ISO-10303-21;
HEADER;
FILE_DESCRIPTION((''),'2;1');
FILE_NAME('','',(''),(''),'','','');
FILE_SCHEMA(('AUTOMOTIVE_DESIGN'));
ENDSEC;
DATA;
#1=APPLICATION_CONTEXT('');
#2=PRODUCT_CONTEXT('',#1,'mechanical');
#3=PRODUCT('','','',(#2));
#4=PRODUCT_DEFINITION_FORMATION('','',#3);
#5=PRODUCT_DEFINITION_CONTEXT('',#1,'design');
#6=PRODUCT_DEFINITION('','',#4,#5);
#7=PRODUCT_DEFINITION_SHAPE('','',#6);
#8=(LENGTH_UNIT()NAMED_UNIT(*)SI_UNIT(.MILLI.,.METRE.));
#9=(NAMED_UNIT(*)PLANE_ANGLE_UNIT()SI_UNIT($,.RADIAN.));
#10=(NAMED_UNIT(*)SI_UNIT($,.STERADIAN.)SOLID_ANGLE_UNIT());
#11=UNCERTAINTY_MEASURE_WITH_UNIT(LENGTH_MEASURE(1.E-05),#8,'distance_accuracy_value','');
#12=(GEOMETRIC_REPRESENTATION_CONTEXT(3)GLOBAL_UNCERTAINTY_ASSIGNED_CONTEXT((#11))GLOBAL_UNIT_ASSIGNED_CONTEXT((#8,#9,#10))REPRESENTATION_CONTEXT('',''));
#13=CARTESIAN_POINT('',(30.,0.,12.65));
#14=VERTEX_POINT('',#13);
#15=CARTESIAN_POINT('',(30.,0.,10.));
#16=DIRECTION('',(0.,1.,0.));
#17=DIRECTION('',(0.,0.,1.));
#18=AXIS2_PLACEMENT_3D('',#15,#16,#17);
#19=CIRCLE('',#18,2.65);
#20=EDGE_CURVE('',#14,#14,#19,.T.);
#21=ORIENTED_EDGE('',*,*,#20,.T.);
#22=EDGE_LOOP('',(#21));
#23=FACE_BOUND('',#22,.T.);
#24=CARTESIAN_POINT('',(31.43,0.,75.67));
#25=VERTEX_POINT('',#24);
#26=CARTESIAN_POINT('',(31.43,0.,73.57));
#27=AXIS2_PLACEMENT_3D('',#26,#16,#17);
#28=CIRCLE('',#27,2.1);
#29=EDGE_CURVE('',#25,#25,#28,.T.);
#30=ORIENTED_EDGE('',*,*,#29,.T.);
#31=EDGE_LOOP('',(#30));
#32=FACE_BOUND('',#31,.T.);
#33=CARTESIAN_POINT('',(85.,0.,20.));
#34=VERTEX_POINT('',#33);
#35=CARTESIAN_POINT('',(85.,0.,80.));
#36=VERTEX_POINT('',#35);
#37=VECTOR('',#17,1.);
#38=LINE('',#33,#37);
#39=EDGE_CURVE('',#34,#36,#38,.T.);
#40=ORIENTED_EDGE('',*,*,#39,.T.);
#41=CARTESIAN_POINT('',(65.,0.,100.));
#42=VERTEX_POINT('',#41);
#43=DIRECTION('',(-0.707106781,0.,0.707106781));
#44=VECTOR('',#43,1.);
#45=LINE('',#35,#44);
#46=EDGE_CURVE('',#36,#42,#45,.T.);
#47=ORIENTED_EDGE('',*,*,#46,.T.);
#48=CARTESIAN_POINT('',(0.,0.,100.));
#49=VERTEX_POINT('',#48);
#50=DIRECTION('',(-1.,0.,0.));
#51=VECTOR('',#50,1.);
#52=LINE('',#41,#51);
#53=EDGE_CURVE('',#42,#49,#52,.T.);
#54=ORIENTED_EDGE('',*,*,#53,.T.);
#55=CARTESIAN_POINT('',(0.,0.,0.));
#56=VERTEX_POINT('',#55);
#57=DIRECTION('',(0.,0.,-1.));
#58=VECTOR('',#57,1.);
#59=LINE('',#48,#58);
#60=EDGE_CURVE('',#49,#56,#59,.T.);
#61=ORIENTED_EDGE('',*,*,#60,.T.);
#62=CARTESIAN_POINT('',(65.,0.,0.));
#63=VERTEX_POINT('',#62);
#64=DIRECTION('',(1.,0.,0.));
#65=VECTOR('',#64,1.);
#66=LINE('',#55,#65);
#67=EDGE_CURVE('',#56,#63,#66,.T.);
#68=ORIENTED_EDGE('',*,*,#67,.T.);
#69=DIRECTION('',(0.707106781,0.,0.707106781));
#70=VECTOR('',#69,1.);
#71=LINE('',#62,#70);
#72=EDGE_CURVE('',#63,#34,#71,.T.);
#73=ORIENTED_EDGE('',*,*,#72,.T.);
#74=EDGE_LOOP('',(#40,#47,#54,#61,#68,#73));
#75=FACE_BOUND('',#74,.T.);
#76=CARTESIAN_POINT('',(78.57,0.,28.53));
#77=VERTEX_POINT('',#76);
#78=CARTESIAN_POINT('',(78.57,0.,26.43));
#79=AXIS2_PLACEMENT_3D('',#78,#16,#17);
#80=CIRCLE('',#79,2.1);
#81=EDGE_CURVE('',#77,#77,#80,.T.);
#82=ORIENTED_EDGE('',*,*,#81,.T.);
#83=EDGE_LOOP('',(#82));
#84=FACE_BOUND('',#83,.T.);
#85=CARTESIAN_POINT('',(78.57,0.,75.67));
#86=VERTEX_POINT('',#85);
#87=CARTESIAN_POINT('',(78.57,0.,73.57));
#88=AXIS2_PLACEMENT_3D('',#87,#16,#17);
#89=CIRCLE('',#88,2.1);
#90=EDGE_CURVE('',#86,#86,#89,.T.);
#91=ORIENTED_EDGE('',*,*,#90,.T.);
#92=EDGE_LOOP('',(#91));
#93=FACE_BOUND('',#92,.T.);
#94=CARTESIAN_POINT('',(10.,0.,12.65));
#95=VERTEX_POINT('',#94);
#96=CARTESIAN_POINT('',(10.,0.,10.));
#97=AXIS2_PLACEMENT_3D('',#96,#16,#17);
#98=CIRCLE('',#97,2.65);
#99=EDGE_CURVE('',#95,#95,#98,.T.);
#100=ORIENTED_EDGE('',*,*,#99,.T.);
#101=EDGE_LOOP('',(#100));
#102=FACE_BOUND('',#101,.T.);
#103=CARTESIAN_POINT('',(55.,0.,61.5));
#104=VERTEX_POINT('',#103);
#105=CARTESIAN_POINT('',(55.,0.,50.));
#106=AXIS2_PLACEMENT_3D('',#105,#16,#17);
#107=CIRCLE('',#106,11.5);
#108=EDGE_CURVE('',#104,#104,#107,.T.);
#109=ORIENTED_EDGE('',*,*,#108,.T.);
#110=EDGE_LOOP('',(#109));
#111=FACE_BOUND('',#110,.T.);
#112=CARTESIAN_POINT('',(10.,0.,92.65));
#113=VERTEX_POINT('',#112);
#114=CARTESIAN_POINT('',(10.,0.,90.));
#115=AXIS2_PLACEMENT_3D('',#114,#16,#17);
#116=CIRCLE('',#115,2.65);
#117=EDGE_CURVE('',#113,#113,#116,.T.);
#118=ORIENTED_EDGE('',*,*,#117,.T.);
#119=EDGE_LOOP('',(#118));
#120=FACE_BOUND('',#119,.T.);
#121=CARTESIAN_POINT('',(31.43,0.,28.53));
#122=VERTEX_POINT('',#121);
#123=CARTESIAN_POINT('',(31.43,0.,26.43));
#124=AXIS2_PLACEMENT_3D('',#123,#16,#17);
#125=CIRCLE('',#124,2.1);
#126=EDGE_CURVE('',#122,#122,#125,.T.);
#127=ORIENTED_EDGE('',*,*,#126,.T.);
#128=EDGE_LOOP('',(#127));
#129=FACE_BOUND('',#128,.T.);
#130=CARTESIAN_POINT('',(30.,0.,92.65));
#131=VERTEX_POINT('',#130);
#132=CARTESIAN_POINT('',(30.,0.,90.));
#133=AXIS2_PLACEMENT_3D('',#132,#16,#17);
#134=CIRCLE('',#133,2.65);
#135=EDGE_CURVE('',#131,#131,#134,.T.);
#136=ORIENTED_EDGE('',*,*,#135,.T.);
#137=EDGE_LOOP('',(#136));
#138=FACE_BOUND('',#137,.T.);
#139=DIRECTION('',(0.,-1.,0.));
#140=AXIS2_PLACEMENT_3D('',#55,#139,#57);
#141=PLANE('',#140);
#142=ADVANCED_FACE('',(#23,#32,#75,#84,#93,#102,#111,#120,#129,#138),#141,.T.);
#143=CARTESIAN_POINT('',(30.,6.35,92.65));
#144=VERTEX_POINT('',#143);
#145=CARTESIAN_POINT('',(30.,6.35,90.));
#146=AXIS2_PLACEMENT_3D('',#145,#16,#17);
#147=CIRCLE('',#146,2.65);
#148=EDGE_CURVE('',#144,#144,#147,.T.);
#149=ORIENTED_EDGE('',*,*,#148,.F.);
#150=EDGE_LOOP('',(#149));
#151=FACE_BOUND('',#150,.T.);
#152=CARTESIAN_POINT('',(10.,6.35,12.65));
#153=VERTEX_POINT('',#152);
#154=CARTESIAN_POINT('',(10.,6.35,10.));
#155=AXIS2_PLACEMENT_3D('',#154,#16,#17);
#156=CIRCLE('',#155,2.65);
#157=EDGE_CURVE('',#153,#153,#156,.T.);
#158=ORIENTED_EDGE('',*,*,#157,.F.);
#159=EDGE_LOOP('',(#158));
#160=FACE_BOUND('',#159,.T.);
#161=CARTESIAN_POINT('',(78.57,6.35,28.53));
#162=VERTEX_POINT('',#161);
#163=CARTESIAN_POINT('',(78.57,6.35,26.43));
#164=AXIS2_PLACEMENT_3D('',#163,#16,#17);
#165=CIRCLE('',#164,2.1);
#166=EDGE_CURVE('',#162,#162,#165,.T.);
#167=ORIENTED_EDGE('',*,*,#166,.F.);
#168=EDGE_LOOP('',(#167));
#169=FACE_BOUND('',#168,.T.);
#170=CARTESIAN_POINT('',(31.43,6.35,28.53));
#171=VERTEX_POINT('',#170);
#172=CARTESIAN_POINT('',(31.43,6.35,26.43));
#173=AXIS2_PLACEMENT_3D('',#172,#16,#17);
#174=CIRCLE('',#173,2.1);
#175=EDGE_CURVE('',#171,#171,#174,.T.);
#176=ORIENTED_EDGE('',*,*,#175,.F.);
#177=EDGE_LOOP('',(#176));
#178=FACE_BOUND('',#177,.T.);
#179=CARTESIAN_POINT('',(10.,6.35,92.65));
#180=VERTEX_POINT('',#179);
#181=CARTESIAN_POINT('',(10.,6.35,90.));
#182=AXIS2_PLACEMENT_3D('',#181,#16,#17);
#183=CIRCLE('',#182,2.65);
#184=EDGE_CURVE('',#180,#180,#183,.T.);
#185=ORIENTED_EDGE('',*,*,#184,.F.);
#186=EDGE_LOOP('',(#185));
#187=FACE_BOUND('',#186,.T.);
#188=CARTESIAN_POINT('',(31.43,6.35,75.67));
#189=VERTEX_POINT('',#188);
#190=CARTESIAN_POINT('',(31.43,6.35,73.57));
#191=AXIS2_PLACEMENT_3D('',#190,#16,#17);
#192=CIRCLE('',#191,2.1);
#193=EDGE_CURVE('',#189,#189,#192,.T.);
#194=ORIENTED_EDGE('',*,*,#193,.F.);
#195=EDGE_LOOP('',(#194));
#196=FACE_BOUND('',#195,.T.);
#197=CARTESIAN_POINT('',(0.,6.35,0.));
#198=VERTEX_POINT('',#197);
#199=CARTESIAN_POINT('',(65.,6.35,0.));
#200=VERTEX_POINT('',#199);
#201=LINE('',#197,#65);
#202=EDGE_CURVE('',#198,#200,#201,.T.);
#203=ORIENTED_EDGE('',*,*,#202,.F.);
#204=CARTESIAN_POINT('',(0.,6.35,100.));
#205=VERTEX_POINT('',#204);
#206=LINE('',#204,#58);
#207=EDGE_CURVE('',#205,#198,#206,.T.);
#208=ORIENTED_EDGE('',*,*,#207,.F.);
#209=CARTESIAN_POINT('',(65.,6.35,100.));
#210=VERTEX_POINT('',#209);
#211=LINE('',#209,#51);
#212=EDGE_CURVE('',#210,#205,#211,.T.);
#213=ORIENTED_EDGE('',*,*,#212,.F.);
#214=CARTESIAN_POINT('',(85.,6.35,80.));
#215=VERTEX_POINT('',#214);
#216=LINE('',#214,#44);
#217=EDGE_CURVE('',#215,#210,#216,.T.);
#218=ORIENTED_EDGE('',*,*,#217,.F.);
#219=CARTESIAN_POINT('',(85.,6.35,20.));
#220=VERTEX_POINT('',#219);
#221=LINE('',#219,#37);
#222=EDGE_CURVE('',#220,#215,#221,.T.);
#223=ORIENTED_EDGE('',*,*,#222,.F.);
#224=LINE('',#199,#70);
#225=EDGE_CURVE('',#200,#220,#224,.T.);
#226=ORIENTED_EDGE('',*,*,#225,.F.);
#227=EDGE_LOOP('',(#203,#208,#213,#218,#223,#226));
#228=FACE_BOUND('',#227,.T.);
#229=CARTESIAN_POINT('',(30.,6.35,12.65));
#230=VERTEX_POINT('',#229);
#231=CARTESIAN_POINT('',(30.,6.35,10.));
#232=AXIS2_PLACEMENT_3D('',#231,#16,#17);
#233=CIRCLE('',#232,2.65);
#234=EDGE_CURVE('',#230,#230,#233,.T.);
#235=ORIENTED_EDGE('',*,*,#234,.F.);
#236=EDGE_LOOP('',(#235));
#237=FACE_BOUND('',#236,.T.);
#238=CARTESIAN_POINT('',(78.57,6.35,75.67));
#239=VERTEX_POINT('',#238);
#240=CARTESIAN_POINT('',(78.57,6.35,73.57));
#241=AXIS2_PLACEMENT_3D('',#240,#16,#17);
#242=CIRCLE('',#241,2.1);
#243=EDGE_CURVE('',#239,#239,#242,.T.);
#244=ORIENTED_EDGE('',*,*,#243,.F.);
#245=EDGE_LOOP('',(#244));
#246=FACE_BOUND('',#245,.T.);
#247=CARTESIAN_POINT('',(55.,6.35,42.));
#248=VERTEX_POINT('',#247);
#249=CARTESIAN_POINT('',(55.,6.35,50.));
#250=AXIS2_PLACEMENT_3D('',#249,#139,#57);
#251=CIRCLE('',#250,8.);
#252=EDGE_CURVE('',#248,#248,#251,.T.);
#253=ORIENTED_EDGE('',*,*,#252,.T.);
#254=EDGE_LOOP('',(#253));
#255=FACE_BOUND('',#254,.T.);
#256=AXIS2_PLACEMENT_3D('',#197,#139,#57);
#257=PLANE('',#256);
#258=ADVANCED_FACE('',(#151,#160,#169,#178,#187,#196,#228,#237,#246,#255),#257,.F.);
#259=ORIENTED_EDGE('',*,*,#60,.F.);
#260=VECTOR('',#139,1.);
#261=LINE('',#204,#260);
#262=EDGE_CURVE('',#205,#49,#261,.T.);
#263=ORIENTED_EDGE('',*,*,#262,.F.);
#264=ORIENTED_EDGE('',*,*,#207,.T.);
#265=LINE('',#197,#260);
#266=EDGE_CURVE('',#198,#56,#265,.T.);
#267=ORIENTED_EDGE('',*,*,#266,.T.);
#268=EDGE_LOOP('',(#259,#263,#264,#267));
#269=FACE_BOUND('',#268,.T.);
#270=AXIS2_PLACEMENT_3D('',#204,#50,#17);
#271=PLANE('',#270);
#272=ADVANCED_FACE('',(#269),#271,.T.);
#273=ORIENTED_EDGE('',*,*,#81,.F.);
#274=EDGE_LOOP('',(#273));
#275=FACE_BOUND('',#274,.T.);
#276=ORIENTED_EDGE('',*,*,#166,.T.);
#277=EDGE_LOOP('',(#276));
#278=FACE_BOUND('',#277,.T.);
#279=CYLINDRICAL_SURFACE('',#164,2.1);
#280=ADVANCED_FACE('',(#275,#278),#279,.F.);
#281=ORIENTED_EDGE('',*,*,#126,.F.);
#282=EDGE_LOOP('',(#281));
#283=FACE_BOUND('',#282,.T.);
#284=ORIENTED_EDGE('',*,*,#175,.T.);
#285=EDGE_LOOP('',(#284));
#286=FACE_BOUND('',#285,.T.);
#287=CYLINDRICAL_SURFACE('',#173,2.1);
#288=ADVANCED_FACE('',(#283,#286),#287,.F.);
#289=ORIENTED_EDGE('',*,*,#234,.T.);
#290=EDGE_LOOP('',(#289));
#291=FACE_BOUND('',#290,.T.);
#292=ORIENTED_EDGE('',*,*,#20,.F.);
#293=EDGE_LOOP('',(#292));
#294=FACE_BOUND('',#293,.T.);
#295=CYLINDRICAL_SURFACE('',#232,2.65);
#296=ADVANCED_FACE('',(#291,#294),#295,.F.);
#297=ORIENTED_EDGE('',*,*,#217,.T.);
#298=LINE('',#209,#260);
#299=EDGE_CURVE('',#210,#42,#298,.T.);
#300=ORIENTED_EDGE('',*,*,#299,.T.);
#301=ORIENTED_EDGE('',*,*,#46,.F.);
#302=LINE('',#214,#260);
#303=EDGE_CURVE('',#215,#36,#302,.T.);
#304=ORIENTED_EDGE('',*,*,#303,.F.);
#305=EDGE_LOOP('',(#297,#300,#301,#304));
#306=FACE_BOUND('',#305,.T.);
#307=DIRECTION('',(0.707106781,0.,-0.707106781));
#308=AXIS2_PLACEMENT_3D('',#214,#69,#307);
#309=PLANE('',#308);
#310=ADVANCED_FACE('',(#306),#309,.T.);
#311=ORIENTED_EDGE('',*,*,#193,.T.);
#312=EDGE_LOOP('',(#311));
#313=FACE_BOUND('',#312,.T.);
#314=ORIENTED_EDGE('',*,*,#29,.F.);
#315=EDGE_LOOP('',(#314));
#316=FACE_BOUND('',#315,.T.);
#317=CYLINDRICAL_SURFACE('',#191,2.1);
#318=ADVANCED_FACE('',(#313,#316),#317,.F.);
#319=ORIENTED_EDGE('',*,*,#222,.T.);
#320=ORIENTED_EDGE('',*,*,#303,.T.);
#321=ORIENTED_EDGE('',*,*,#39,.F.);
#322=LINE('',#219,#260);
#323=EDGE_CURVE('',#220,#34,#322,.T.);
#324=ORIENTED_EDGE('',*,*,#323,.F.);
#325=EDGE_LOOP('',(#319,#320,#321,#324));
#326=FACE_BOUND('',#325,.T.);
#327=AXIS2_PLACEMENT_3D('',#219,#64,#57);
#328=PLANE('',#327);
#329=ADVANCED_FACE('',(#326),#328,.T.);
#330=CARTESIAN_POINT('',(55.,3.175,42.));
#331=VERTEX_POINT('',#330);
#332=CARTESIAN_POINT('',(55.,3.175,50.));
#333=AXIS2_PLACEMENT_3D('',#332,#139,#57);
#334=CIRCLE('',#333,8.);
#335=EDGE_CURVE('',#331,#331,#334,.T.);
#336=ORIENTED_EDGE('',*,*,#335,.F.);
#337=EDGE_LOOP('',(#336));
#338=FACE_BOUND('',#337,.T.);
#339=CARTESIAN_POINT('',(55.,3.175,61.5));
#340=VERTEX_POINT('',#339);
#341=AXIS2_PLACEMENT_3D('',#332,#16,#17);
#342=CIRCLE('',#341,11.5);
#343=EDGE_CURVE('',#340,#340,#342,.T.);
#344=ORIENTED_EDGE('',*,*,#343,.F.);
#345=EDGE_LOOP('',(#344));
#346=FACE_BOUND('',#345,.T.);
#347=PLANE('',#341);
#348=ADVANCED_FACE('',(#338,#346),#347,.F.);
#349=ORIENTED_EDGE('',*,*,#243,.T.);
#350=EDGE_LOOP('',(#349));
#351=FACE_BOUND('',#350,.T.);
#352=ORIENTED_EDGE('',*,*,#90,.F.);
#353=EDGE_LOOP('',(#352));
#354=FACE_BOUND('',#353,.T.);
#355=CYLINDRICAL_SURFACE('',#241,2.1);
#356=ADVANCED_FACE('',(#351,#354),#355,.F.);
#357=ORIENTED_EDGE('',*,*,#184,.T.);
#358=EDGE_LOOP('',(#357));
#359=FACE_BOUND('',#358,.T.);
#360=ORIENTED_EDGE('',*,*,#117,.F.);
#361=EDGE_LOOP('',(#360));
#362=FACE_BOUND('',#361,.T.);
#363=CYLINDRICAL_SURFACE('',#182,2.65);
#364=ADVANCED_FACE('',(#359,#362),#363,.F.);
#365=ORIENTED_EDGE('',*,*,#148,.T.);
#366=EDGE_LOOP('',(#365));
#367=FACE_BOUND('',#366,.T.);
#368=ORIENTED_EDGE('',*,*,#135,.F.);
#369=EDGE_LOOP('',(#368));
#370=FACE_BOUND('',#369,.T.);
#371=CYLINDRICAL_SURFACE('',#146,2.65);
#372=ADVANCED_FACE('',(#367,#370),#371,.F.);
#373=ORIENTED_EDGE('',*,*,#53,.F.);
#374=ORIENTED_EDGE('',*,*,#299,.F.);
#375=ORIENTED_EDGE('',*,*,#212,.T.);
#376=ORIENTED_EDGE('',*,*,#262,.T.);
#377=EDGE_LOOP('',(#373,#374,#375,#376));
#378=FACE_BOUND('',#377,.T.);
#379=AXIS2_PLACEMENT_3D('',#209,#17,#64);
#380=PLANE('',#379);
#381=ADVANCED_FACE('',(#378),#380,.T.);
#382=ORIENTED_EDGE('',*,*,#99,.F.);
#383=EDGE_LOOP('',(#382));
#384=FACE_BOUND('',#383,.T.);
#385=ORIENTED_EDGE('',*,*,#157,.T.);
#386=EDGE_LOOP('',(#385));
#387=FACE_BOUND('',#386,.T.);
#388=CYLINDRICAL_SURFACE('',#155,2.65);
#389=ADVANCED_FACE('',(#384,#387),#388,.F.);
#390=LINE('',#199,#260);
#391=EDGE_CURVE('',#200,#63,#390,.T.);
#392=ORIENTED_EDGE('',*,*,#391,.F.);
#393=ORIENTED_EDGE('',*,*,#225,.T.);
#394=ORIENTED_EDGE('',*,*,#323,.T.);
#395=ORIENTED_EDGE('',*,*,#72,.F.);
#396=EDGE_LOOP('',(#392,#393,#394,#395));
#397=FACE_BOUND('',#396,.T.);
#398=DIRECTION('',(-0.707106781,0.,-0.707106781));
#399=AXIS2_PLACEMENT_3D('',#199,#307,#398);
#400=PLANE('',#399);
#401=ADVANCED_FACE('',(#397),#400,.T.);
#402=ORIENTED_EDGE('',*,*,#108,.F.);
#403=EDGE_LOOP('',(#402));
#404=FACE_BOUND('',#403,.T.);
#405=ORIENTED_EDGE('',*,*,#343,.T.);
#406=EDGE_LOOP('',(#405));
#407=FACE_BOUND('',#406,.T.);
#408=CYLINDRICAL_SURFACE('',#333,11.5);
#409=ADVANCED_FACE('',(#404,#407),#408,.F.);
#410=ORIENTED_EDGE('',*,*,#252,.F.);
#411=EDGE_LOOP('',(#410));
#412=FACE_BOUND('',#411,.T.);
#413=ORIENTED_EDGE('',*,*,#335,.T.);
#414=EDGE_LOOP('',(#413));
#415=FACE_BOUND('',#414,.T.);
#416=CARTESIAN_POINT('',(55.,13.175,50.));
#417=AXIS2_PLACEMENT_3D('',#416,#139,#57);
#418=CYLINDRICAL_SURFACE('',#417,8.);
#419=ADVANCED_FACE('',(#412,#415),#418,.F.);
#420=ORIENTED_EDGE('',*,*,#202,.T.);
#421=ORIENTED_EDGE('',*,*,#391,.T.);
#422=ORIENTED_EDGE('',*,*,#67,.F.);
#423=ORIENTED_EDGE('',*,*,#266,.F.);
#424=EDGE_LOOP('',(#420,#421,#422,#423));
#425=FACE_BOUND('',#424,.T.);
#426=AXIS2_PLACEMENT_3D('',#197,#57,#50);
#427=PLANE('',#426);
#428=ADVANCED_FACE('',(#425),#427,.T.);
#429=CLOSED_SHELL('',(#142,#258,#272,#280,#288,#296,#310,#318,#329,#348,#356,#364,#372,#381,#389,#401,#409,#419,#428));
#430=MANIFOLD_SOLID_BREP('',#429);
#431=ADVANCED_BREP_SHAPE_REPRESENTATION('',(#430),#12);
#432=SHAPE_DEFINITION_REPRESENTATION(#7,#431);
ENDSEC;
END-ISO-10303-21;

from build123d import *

# Parameters (mm, degrees)
BOSS_EXTRUDE1_DEPTH   = 6.35
M5X0_8_TAPPED_HOLE1_D = 4.2
M5_CLEARANCE_HOLE1_D  = 5.3
SKETCH6_R             = 11.5
CUT_EXTRUDE1_DEPTH    = 3.175
SKETCH7_R             = 8
CUT_EXTRUDE2_DEPTH    = 10


with BuildPart() as part:
    # Sketch1 → Boss-Extrude1 (new body)
    with BuildSketch(Plane(origin=(0, 0, 0), x_dir=(1, 0, 0), z_dir=(0, 1, 0))):
        Polygon((0, 0), (65, 0), (85, -20), (85, -80), (65, -100), (0, -100), align=None)
    extrude(amount=BOSS_EXTRUDE1_DEPTH)

    # M5x0.8 Tapped Hole1 (through all)
    with Locations(Plane(origin=(0, 6.35, 0), x_dir=(1, 0, 0), z_dir=(0, 1, 0))):
        with Locations((78.57, -26.43), (31.43, -26.43), (31.43, -73.57), (78.57, -73.57)):
            Hole(M5X0_8_TAPPED_HOLE1_D / 2)

    # M5 Clearance Hole1 (through all)
    with Locations(Plane(origin=(0, 6.35, 0), x_dir=(1, 0, 0), z_dir=(0, 1, 0))):
        with Locations((10, -10), (30, -10), (10, -90), (30, -90)):
            Hole(M5_CLEARANCE_HOLE1_D / 2)

    # Sketch6 → Cut-Extrude1 (cut)
    with BuildSketch(Plane(origin=(0, 0, 0), x_dir=(1, 0, 0), z_dir=(0, 1, 0))):
        with Locations((55, -50)):
            Circle(SKETCH6_R)
    extrude(amount=CUT_EXTRUDE1_DEPTH, mode=Mode.SUBTRACT)

    # Sketch7 → Cut-Extrude2 (cut)
    with BuildSketch(Plane(origin=(0, 3.175, 0), x_dir=(-1, 0, 0), z_dir=(0, -1, 0))):
        with Locations((-55, -50)):
            Circle(SKETCH7_R)
    extrude(amount=-CUT_EXTRUDE2_DEPTH, mode=Mode.SUBTRACT)


solid = part.part
